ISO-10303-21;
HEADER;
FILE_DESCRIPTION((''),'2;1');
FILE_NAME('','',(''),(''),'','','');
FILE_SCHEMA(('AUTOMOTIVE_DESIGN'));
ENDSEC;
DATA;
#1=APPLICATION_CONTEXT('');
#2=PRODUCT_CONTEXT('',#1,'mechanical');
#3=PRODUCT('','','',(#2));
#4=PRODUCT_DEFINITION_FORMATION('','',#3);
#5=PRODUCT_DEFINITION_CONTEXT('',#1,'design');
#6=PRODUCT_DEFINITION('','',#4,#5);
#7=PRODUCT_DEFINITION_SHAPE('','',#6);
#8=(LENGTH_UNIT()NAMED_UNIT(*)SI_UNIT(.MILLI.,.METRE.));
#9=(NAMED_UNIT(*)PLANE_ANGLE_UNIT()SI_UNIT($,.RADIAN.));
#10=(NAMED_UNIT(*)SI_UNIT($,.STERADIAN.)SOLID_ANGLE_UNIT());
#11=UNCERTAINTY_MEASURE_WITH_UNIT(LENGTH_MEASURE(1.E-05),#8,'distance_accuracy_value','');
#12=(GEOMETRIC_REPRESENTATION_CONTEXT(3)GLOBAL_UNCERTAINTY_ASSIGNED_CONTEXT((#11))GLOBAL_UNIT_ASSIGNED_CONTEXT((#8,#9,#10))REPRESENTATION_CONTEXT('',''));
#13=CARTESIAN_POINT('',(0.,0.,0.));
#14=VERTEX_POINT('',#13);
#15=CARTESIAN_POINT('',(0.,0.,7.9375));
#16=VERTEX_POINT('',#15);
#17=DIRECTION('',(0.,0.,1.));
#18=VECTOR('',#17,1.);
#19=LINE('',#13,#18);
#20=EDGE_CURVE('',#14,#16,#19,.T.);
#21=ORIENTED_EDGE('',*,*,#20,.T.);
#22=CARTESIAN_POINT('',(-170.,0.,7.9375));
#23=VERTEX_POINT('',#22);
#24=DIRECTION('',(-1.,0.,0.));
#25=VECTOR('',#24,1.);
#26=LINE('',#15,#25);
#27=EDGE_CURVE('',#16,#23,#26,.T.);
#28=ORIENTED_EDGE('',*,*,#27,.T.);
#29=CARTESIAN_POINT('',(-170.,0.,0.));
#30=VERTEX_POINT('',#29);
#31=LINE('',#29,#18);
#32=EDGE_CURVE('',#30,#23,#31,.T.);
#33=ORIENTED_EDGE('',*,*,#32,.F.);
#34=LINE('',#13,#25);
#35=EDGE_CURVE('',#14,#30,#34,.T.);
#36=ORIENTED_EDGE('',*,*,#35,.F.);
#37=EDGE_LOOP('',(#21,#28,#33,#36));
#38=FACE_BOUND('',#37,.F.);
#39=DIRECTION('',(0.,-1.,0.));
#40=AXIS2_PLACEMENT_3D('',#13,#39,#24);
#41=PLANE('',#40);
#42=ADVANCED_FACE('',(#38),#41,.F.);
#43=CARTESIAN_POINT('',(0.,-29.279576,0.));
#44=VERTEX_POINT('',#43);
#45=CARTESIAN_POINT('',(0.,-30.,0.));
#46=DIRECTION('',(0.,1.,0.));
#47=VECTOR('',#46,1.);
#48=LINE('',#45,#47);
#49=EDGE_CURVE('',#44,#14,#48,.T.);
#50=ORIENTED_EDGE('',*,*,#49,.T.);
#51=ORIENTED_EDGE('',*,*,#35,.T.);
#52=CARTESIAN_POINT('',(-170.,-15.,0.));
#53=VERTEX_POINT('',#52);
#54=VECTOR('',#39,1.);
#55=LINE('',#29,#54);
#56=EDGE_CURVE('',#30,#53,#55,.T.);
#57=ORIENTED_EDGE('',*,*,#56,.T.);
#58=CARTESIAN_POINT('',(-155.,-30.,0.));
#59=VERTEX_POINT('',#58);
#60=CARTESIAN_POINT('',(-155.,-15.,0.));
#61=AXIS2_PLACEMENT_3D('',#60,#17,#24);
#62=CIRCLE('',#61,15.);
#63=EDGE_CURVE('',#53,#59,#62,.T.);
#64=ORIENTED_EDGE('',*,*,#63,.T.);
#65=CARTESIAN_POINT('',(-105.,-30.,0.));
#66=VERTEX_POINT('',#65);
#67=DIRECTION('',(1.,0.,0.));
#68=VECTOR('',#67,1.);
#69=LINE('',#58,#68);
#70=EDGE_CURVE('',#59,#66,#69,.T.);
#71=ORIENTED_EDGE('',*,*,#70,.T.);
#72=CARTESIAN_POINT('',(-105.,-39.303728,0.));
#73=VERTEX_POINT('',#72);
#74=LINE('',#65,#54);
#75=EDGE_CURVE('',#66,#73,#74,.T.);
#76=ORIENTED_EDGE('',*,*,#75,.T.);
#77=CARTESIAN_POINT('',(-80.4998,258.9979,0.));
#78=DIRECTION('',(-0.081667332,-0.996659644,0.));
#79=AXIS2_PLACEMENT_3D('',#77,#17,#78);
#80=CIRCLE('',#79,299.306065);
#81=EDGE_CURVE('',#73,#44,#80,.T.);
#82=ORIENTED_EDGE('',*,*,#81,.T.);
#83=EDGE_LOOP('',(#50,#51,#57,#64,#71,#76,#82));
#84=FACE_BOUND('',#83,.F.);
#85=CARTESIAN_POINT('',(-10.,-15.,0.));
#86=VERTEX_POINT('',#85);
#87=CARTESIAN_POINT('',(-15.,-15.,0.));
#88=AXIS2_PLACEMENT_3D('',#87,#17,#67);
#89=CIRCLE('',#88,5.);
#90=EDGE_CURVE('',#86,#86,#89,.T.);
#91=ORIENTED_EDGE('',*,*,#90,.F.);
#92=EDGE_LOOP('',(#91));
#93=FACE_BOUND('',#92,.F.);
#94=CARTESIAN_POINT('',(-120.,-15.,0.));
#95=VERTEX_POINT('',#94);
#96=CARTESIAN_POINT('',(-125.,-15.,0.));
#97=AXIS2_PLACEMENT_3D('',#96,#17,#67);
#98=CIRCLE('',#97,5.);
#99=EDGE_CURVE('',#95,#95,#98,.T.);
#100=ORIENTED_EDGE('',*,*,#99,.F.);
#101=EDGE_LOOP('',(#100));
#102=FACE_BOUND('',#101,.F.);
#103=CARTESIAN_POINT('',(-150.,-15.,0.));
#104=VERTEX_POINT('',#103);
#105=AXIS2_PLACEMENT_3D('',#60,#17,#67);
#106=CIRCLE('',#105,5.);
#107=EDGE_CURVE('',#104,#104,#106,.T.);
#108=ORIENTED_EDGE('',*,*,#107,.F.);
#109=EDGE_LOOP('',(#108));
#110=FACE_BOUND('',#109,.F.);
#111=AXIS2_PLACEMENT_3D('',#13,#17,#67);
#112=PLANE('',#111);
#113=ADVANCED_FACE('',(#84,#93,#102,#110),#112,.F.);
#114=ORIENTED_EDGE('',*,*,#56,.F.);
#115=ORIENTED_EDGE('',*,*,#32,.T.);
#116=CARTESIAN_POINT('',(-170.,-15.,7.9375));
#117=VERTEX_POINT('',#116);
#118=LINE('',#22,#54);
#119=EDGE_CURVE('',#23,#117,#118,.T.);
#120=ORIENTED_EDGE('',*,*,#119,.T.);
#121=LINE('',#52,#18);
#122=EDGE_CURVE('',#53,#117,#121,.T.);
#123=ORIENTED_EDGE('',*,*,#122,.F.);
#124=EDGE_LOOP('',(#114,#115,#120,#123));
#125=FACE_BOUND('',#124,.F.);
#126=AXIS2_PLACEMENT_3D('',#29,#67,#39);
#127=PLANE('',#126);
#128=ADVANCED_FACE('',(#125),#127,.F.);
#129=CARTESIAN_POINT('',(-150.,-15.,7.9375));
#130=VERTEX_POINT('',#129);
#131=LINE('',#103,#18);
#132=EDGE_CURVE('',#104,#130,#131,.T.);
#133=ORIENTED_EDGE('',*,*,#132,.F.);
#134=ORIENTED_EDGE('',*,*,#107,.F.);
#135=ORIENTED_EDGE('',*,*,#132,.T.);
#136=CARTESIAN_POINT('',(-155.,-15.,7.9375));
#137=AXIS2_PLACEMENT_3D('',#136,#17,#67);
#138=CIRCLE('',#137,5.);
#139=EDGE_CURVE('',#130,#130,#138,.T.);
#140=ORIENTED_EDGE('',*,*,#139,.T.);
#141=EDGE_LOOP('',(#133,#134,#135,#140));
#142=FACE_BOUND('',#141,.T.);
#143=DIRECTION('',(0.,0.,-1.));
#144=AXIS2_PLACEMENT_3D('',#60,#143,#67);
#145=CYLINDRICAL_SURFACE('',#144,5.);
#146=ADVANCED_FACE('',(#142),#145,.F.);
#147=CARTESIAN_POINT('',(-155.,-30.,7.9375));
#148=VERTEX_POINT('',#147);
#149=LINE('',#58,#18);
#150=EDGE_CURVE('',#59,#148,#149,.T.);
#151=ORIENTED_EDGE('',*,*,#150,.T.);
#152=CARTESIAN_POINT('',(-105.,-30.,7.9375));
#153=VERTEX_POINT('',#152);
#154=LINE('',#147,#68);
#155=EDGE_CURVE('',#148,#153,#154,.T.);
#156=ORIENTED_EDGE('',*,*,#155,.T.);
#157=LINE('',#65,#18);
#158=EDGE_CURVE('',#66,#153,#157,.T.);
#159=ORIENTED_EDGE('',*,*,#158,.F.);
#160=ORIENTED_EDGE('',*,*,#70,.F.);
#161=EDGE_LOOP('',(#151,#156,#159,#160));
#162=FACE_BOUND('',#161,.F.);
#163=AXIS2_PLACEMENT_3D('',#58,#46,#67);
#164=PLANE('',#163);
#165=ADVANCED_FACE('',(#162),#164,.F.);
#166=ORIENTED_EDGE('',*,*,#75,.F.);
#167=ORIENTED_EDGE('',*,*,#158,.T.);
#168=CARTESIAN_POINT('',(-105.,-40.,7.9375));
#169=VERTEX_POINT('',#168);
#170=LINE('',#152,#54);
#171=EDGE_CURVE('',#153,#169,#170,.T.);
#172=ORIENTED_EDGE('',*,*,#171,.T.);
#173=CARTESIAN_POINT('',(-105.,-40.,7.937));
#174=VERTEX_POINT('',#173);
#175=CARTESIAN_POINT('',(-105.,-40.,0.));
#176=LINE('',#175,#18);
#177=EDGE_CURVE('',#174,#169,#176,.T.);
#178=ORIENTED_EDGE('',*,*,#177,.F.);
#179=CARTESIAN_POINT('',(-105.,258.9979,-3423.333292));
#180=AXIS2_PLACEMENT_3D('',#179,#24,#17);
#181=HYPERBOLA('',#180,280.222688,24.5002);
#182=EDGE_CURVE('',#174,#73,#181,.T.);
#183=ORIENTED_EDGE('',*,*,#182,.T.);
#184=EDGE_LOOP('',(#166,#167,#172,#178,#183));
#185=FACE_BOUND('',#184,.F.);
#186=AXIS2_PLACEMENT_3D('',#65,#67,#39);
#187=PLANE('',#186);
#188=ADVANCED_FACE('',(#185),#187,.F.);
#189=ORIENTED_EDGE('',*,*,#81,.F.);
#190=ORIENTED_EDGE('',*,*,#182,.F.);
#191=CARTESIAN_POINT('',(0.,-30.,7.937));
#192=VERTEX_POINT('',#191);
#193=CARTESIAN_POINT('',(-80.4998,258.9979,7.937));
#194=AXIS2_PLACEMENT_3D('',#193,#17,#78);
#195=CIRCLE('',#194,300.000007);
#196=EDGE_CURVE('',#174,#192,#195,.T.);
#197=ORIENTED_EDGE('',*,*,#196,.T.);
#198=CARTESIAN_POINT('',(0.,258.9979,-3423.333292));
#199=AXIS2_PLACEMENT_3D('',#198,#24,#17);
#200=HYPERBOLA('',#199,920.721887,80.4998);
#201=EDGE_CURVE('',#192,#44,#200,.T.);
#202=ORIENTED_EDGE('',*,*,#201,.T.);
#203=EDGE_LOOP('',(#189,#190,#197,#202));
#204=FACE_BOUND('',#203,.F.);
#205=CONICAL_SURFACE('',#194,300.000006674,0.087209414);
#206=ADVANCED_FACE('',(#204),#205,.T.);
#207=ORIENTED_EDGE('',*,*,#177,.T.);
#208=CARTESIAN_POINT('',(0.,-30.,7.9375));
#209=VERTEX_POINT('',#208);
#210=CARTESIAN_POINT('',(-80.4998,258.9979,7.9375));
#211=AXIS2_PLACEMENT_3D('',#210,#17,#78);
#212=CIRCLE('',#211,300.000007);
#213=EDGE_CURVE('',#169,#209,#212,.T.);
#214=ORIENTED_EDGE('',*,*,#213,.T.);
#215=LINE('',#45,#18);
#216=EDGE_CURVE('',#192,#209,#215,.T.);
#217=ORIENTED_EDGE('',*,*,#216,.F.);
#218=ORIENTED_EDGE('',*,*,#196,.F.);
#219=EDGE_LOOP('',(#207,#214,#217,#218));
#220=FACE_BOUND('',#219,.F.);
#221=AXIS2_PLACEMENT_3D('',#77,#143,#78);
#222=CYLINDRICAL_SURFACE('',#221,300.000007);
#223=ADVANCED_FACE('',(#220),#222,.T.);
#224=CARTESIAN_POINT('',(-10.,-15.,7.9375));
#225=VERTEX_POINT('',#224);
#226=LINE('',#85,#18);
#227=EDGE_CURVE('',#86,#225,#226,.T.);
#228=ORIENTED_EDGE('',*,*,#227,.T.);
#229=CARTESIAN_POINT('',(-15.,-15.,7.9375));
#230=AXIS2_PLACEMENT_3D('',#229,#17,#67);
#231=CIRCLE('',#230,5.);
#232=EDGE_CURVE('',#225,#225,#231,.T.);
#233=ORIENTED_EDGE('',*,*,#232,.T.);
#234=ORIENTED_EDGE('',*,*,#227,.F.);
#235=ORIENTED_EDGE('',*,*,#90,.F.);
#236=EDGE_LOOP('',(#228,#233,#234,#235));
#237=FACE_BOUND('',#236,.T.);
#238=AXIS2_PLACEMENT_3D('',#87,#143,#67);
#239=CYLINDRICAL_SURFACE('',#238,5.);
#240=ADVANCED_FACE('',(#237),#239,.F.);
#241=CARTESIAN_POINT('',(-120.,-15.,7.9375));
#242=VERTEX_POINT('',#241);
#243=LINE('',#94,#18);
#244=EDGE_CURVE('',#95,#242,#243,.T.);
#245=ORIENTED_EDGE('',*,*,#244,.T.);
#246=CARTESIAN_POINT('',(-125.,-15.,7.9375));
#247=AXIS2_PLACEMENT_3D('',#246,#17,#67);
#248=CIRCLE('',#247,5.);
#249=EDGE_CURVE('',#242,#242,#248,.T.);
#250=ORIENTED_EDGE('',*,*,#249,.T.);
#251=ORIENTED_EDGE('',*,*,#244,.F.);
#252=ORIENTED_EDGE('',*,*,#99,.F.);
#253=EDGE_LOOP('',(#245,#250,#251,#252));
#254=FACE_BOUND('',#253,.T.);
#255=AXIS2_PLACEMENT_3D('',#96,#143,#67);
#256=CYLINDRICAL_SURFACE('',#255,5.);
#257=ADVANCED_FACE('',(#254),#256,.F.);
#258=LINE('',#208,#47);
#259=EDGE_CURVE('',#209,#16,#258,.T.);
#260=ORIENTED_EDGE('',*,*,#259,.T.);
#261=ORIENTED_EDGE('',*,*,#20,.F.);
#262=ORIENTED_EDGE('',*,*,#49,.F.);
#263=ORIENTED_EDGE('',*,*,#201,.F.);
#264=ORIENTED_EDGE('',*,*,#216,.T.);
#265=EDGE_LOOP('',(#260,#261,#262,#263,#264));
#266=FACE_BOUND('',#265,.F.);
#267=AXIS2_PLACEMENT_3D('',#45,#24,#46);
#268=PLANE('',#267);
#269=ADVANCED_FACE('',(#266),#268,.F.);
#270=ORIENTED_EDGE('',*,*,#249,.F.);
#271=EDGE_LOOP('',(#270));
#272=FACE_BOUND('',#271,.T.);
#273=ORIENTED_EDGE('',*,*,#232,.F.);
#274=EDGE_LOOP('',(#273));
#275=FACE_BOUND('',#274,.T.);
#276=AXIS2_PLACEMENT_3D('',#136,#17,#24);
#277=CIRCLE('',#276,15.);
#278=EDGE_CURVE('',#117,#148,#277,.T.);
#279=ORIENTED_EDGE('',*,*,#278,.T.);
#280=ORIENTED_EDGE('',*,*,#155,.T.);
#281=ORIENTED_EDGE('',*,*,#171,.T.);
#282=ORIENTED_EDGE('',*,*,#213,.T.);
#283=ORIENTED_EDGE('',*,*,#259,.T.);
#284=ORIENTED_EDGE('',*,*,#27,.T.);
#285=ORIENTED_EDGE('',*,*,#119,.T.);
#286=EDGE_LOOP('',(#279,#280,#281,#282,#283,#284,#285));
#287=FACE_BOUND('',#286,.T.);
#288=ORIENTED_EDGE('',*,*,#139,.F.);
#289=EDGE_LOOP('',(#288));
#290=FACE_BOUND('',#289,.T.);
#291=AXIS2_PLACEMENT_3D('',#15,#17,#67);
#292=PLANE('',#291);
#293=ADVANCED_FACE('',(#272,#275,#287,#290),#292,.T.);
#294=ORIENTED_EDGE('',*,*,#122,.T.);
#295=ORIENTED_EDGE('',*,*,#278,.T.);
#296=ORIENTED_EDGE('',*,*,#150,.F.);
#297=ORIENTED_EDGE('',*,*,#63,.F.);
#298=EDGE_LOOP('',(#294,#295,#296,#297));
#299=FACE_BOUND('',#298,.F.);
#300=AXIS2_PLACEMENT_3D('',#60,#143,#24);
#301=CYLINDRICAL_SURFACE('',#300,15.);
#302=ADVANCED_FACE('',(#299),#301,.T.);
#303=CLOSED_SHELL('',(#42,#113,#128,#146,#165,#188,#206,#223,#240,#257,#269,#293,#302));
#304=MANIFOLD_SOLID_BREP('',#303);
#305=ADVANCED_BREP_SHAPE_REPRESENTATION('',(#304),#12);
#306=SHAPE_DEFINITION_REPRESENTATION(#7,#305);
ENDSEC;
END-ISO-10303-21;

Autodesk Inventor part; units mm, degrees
ref_plane "YZ Plane" through (0, 0, 0) normal (1, 0, 0) x (0, 1, 0)
ref_plane "XZ Plane" through (0, 0, 0) normal (0, 1, 0) x (-1, 0, 0)
ref_plane "XY Plane" through (0, 0, 0) normal (0, 0, 1) x (1, 0, 0)
sketch "Sketch1" plane through (0, 0, 0) normal (0, 0, 1) x (1, 0, 0)
  line L0 (0, -30) -> (0, 0)
  line L1 (0, 0) -> (-170, 0)
  line L2 (-170, 0) -> (-170, -15)
  line L3 (-155, -30) -> (-105, -30)
  line L4 (-105, -30) -> (-105, -40)
  arc A0 (-105, -40) -> (0, -30) centre (-80.4998, 258.9979) ccw
  arc A1 (-170, -15) -> (-155, -30) centre (-155, -15) ccw
  circle A2 centre (-155, -15) radius 5
  circle A3 centre (-125, -15) radius 5
  circle A4 centre (-15, -15) radius 5
  point P0 (-170, -30)
  dimension "d0" = 170
  dimension "d1" = 30
  dimension "d2" = 30
  dimension "d3" = 65
  dimension "d4" = 10
  dimension "d6" = 300
  dimension "d7" = 15
  dimension "d8" = 10
  dimension "d9" = 10
  dimension "d10" = 10
  dimension "d11" = 15
  dimension "d12" = 30
  dimension "d13" = 15
  dimension "d14" = 15
extrude "Extrusion1" add sketch "Sketch1" along normal blind 7.9375
chamfer "Chamfer1" distance 7.9375 angle 5 1 edges at (-52.0571, -39.6507, 0) measured on face at (-48.5408, -39.295, 5.2917)
properties part number "Upper blade"
